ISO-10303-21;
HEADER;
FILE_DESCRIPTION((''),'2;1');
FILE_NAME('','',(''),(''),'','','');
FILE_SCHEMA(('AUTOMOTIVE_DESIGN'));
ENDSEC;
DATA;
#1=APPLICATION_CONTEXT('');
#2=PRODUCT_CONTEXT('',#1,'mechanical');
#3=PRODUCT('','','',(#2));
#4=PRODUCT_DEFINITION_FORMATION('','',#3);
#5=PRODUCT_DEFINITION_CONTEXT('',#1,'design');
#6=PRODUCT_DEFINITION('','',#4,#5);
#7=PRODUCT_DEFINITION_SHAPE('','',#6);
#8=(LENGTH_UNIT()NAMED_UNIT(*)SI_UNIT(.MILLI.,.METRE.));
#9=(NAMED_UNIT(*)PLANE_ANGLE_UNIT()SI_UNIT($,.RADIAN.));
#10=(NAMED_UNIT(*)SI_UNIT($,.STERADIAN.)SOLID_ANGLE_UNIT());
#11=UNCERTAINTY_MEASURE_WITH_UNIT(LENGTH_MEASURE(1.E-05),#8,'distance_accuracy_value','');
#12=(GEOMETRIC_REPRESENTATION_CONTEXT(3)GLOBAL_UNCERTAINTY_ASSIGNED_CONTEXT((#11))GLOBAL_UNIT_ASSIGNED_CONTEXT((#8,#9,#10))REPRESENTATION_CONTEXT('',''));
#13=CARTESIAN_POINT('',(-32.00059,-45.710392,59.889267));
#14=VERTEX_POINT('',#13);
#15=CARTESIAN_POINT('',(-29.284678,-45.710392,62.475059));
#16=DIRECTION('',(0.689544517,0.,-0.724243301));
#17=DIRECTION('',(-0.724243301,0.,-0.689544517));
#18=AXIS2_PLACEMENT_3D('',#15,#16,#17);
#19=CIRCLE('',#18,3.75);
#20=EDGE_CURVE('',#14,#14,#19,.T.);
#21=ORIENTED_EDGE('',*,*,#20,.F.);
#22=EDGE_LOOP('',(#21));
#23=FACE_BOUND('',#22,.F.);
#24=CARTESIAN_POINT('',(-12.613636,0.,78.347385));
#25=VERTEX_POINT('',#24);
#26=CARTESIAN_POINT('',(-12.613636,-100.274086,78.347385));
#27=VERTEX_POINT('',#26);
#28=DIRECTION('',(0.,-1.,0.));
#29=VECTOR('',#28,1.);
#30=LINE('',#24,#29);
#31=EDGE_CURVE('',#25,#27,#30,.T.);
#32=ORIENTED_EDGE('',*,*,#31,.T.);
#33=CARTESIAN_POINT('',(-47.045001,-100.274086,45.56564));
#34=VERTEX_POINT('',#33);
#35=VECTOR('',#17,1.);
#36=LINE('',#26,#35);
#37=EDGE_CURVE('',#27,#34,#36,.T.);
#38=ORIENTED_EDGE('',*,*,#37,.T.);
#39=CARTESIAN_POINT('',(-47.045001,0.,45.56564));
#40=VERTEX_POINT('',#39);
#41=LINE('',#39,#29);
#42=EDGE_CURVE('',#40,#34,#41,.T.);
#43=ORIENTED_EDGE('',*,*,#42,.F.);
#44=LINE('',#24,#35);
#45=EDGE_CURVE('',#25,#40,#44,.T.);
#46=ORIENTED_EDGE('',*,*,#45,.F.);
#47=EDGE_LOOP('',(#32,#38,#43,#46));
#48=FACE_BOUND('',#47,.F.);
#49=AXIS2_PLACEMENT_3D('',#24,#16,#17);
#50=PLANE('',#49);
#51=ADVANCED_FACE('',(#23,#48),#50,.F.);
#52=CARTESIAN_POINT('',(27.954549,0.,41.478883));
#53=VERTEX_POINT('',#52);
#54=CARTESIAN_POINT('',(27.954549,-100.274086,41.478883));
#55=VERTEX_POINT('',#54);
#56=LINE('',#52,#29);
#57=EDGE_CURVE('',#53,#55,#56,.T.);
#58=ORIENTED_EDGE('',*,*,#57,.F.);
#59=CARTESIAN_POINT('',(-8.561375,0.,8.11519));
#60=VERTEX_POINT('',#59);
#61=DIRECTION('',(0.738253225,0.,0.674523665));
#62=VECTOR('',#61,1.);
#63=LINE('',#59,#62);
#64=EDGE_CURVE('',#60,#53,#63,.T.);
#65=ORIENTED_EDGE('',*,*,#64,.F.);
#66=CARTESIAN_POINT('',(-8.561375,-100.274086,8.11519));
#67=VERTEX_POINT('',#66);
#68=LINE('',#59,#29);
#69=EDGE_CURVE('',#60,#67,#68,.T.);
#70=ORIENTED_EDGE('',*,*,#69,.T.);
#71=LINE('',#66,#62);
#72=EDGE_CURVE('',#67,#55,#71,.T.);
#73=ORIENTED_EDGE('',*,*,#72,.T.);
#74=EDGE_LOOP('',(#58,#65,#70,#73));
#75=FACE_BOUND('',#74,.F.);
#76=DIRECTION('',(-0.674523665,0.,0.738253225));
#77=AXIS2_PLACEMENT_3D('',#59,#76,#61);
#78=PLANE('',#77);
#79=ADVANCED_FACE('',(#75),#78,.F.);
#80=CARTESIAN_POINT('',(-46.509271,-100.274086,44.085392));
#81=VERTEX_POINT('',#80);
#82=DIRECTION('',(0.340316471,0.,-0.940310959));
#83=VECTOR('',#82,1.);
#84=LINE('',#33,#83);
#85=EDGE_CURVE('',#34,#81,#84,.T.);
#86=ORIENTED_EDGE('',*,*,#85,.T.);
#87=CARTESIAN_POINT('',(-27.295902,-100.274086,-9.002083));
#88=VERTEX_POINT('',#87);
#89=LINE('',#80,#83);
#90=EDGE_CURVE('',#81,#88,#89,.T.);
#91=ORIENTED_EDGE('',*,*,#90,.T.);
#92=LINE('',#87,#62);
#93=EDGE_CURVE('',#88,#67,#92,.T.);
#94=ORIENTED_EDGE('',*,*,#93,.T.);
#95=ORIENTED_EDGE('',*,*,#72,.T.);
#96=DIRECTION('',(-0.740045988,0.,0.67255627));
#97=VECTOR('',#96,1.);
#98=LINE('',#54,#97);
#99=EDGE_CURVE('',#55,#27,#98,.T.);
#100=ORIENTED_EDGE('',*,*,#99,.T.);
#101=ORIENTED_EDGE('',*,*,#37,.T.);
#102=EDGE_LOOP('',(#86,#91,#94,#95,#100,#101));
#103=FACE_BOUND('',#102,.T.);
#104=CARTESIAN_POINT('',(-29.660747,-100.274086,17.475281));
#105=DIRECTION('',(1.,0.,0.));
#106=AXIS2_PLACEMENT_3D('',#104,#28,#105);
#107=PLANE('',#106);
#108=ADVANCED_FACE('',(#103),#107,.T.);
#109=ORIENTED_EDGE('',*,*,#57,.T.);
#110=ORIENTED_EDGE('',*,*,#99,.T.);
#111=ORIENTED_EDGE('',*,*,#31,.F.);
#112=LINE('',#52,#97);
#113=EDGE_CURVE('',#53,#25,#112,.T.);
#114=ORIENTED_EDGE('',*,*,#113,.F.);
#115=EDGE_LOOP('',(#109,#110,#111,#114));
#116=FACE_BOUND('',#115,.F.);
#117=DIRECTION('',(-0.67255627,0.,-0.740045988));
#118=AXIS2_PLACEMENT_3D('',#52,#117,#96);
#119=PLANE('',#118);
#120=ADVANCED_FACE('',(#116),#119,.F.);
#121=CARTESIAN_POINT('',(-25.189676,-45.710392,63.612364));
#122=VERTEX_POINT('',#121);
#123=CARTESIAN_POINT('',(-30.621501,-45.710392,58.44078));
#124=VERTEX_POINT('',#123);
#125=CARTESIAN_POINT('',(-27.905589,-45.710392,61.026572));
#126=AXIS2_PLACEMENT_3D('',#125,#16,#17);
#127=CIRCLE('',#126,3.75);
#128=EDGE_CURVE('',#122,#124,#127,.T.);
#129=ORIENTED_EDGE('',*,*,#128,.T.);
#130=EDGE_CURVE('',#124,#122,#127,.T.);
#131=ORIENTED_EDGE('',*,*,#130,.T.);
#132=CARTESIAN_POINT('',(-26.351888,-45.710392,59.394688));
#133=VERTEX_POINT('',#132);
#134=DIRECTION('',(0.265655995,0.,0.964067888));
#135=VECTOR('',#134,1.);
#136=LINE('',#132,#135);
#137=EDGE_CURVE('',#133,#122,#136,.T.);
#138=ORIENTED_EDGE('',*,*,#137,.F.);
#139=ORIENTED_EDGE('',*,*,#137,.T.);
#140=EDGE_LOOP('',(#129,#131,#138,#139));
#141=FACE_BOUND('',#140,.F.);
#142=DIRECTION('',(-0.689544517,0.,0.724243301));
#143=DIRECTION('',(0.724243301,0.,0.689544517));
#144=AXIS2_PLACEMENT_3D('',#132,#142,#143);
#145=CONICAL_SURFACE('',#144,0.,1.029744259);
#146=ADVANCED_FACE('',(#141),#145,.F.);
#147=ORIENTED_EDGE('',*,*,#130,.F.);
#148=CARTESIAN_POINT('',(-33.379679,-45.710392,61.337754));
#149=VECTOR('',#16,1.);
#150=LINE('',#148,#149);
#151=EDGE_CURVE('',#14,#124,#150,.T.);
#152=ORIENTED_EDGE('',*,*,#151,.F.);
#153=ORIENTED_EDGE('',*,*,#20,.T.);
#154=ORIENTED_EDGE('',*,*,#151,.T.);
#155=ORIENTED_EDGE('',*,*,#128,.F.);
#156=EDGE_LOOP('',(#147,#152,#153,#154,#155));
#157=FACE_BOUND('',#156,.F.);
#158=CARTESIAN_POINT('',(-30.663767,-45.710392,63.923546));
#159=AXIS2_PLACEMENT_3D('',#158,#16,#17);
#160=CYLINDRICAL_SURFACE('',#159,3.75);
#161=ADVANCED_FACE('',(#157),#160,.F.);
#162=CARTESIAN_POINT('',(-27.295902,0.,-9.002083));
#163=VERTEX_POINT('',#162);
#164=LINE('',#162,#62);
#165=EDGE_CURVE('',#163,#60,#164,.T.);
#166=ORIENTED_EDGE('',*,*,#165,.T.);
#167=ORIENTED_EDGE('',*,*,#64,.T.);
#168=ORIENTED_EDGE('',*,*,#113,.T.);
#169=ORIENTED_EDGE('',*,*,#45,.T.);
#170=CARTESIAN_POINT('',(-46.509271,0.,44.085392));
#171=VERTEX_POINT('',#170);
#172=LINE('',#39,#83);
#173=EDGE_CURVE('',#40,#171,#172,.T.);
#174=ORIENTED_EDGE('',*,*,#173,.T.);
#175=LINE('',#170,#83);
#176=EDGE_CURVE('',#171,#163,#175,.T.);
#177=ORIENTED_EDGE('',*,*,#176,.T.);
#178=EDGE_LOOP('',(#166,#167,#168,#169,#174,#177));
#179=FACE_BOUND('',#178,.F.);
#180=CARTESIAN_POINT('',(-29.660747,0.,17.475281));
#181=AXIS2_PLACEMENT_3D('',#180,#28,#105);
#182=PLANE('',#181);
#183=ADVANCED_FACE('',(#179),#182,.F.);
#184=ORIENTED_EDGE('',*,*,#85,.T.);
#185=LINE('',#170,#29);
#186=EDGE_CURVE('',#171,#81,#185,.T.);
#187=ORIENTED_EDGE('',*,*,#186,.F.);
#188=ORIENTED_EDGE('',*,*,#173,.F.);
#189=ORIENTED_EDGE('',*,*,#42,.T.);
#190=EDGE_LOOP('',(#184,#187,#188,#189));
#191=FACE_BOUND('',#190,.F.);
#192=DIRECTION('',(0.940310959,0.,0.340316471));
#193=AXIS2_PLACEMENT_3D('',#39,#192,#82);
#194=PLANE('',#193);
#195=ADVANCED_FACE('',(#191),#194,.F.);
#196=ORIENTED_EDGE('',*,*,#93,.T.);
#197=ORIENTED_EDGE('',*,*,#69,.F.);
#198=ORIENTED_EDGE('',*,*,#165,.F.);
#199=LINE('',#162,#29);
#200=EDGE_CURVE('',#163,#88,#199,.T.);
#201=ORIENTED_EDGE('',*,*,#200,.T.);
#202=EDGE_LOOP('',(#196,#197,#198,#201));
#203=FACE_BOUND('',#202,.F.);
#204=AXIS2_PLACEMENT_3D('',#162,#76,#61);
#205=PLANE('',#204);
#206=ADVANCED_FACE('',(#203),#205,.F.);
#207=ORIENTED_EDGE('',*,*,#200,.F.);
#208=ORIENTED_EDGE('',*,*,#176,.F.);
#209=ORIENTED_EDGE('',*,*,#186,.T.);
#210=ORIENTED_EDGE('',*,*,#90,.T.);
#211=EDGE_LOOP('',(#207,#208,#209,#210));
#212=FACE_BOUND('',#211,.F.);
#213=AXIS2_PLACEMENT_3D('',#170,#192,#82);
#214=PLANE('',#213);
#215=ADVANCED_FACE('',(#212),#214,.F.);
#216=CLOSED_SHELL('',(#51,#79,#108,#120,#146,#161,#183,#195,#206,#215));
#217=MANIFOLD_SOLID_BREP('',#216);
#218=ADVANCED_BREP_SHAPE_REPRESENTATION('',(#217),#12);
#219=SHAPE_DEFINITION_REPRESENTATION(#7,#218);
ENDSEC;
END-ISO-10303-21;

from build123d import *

# Parameters (mm, degrees)
F1_DEPTH = 100.2740859985
F3_D     = 7.5
F3_DEPTH = 2
F3_TIP   = 2.2532273214


with BuildPart() as f1:
    # F0 (on Front) → F1 (new body)
    with BuildSketch(Plane.XZ):
        Polygon((-8.5613747377, 8.1151898103), (-46.5092712761, 44.0853923477), (-27.2959015118, -9.0020827425), align=None)
        Polygon((-47.045001057, 45.5656397871), (-46.5092712761, 44.0853923477), (-8.5613747377, 8.1151898103), (27.9545485973, 41.4788834751), (-12.6136355102, 78.3473849297), align=None)
    extrude(amount=F1_DEPTH)

    # F3
    with Locations(Plane(origin=(-45.1239530897, 0, 47.3946495829), x_dir=(0.7242433012, 0, 0.6895445168), z_dir=(-0.6895445168, 0, 0.7242433012))):
        with Locations((21.8701027334, -45.7103922963)):
            Hole(F3_D / 2, depth=F3_DEPTH)
            with Locations((0, 0, -(F3_DEPTH + F3_TIP / 2))):  # 118° drill point
                Cone(0, F3_D / 2, F3_TIP, mode=Mode.SUBTRACT)


solid = f1.part
